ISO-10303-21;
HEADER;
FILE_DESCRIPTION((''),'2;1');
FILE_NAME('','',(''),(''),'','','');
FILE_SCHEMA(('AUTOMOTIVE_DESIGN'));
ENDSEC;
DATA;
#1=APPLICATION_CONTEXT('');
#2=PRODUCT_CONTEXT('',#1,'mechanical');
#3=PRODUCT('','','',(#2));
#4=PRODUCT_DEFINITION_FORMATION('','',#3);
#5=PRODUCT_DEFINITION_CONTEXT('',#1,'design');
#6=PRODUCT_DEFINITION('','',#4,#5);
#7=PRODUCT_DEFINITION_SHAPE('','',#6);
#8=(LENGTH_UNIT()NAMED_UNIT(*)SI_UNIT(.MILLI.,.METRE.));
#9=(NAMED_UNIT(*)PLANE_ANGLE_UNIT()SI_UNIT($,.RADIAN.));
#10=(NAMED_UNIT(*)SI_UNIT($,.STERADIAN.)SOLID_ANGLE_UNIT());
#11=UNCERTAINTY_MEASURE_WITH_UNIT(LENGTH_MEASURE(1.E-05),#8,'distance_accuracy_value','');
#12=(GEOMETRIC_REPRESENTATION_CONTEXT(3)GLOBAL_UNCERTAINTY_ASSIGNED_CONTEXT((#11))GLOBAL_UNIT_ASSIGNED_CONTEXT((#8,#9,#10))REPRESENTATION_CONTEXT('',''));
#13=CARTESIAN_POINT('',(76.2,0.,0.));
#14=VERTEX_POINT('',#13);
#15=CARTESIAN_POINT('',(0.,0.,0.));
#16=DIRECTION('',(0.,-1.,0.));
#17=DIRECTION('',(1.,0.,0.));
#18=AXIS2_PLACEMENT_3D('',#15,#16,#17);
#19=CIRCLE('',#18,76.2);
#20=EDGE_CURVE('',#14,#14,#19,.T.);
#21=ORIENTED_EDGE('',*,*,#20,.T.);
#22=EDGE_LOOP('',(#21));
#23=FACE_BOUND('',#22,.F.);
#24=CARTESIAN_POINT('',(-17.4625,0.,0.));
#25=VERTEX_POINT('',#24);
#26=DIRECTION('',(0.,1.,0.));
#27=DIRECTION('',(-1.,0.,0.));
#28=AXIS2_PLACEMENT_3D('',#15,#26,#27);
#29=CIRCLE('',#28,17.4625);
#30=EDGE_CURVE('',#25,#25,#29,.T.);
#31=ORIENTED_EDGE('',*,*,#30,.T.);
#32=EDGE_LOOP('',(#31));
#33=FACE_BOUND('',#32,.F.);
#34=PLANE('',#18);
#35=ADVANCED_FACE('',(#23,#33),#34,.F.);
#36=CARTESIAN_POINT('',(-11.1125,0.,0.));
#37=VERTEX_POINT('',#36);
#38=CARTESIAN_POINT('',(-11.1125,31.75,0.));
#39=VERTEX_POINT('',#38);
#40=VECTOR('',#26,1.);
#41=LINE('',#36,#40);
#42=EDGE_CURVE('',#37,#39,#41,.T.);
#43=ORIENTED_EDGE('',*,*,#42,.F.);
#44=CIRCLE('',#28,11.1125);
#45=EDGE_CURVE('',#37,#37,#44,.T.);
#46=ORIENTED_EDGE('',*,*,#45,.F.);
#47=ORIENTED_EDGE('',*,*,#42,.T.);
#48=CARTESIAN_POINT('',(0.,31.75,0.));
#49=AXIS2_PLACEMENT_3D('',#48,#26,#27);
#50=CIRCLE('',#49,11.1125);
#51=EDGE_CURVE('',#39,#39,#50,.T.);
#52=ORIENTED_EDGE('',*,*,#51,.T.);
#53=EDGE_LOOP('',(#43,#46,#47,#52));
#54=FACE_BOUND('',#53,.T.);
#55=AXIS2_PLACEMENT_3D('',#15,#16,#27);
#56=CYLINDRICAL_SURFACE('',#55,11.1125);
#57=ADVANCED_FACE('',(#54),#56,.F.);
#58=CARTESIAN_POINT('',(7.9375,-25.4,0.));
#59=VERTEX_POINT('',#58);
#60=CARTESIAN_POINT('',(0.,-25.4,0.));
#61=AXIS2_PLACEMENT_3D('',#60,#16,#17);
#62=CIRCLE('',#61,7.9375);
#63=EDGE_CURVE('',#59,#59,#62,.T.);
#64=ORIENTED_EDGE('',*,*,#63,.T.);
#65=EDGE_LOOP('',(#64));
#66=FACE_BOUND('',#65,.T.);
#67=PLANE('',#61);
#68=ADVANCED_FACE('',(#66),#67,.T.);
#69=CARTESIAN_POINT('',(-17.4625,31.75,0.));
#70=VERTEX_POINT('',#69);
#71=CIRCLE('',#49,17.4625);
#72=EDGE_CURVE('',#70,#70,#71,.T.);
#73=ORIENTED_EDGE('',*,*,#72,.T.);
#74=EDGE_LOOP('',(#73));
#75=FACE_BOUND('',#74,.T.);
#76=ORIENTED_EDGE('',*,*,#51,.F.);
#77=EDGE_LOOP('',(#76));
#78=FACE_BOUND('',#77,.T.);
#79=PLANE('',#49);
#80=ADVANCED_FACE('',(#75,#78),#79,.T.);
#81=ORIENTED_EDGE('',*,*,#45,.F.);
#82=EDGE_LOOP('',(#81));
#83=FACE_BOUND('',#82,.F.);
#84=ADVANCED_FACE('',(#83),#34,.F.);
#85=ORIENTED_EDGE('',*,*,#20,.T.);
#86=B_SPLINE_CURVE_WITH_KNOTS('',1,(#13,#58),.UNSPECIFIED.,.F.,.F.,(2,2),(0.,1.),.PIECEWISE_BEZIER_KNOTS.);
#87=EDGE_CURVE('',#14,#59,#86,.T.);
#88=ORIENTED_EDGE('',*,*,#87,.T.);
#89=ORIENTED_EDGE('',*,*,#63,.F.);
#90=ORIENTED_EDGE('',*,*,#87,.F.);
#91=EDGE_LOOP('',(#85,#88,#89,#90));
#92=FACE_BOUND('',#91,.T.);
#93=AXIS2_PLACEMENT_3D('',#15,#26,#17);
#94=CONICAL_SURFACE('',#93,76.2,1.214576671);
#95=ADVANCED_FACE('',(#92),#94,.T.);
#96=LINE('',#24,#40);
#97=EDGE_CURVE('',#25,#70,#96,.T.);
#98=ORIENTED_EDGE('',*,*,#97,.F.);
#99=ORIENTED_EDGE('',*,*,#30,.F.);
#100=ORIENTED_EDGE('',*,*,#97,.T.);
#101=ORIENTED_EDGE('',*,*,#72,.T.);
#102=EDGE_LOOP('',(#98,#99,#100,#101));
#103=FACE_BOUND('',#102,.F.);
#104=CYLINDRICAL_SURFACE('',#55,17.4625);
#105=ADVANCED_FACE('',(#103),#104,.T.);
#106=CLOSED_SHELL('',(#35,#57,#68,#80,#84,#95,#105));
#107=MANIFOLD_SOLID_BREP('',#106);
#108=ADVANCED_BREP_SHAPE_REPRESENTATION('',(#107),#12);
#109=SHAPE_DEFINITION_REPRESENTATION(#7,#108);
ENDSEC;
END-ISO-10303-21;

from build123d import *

# Parameters (mm, degrees)
F0_R     = 76.2
F2_R     = 7.9375
F4_R     = 17.4625
F4_R_2   = 11.1125
F5_DEPTH = 31.75


with BuildPart() as f3:
    # F0 (on Front) → F3 section 0
    with BuildSketch(Plane.XZ):
        Circle(F0_R)
    # F2 (on offset) → F3 section 1
    with BuildSketch(Plane.XZ.offset(25.4)):
        Circle(F2_R)
    loft()

    # F4 (on face) → F5 (join)
    with BuildSketch(Plane(origin=(0, 0, 0), x_dir=(-1, 0, 0), z_dir=(0, 1, 0))):
        Circle(F4_R)
        Circle(F4_R_2, mode=Mode.SUBTRACT)
    extrude(amount=F5_DEPTH)


solid = f3.part
